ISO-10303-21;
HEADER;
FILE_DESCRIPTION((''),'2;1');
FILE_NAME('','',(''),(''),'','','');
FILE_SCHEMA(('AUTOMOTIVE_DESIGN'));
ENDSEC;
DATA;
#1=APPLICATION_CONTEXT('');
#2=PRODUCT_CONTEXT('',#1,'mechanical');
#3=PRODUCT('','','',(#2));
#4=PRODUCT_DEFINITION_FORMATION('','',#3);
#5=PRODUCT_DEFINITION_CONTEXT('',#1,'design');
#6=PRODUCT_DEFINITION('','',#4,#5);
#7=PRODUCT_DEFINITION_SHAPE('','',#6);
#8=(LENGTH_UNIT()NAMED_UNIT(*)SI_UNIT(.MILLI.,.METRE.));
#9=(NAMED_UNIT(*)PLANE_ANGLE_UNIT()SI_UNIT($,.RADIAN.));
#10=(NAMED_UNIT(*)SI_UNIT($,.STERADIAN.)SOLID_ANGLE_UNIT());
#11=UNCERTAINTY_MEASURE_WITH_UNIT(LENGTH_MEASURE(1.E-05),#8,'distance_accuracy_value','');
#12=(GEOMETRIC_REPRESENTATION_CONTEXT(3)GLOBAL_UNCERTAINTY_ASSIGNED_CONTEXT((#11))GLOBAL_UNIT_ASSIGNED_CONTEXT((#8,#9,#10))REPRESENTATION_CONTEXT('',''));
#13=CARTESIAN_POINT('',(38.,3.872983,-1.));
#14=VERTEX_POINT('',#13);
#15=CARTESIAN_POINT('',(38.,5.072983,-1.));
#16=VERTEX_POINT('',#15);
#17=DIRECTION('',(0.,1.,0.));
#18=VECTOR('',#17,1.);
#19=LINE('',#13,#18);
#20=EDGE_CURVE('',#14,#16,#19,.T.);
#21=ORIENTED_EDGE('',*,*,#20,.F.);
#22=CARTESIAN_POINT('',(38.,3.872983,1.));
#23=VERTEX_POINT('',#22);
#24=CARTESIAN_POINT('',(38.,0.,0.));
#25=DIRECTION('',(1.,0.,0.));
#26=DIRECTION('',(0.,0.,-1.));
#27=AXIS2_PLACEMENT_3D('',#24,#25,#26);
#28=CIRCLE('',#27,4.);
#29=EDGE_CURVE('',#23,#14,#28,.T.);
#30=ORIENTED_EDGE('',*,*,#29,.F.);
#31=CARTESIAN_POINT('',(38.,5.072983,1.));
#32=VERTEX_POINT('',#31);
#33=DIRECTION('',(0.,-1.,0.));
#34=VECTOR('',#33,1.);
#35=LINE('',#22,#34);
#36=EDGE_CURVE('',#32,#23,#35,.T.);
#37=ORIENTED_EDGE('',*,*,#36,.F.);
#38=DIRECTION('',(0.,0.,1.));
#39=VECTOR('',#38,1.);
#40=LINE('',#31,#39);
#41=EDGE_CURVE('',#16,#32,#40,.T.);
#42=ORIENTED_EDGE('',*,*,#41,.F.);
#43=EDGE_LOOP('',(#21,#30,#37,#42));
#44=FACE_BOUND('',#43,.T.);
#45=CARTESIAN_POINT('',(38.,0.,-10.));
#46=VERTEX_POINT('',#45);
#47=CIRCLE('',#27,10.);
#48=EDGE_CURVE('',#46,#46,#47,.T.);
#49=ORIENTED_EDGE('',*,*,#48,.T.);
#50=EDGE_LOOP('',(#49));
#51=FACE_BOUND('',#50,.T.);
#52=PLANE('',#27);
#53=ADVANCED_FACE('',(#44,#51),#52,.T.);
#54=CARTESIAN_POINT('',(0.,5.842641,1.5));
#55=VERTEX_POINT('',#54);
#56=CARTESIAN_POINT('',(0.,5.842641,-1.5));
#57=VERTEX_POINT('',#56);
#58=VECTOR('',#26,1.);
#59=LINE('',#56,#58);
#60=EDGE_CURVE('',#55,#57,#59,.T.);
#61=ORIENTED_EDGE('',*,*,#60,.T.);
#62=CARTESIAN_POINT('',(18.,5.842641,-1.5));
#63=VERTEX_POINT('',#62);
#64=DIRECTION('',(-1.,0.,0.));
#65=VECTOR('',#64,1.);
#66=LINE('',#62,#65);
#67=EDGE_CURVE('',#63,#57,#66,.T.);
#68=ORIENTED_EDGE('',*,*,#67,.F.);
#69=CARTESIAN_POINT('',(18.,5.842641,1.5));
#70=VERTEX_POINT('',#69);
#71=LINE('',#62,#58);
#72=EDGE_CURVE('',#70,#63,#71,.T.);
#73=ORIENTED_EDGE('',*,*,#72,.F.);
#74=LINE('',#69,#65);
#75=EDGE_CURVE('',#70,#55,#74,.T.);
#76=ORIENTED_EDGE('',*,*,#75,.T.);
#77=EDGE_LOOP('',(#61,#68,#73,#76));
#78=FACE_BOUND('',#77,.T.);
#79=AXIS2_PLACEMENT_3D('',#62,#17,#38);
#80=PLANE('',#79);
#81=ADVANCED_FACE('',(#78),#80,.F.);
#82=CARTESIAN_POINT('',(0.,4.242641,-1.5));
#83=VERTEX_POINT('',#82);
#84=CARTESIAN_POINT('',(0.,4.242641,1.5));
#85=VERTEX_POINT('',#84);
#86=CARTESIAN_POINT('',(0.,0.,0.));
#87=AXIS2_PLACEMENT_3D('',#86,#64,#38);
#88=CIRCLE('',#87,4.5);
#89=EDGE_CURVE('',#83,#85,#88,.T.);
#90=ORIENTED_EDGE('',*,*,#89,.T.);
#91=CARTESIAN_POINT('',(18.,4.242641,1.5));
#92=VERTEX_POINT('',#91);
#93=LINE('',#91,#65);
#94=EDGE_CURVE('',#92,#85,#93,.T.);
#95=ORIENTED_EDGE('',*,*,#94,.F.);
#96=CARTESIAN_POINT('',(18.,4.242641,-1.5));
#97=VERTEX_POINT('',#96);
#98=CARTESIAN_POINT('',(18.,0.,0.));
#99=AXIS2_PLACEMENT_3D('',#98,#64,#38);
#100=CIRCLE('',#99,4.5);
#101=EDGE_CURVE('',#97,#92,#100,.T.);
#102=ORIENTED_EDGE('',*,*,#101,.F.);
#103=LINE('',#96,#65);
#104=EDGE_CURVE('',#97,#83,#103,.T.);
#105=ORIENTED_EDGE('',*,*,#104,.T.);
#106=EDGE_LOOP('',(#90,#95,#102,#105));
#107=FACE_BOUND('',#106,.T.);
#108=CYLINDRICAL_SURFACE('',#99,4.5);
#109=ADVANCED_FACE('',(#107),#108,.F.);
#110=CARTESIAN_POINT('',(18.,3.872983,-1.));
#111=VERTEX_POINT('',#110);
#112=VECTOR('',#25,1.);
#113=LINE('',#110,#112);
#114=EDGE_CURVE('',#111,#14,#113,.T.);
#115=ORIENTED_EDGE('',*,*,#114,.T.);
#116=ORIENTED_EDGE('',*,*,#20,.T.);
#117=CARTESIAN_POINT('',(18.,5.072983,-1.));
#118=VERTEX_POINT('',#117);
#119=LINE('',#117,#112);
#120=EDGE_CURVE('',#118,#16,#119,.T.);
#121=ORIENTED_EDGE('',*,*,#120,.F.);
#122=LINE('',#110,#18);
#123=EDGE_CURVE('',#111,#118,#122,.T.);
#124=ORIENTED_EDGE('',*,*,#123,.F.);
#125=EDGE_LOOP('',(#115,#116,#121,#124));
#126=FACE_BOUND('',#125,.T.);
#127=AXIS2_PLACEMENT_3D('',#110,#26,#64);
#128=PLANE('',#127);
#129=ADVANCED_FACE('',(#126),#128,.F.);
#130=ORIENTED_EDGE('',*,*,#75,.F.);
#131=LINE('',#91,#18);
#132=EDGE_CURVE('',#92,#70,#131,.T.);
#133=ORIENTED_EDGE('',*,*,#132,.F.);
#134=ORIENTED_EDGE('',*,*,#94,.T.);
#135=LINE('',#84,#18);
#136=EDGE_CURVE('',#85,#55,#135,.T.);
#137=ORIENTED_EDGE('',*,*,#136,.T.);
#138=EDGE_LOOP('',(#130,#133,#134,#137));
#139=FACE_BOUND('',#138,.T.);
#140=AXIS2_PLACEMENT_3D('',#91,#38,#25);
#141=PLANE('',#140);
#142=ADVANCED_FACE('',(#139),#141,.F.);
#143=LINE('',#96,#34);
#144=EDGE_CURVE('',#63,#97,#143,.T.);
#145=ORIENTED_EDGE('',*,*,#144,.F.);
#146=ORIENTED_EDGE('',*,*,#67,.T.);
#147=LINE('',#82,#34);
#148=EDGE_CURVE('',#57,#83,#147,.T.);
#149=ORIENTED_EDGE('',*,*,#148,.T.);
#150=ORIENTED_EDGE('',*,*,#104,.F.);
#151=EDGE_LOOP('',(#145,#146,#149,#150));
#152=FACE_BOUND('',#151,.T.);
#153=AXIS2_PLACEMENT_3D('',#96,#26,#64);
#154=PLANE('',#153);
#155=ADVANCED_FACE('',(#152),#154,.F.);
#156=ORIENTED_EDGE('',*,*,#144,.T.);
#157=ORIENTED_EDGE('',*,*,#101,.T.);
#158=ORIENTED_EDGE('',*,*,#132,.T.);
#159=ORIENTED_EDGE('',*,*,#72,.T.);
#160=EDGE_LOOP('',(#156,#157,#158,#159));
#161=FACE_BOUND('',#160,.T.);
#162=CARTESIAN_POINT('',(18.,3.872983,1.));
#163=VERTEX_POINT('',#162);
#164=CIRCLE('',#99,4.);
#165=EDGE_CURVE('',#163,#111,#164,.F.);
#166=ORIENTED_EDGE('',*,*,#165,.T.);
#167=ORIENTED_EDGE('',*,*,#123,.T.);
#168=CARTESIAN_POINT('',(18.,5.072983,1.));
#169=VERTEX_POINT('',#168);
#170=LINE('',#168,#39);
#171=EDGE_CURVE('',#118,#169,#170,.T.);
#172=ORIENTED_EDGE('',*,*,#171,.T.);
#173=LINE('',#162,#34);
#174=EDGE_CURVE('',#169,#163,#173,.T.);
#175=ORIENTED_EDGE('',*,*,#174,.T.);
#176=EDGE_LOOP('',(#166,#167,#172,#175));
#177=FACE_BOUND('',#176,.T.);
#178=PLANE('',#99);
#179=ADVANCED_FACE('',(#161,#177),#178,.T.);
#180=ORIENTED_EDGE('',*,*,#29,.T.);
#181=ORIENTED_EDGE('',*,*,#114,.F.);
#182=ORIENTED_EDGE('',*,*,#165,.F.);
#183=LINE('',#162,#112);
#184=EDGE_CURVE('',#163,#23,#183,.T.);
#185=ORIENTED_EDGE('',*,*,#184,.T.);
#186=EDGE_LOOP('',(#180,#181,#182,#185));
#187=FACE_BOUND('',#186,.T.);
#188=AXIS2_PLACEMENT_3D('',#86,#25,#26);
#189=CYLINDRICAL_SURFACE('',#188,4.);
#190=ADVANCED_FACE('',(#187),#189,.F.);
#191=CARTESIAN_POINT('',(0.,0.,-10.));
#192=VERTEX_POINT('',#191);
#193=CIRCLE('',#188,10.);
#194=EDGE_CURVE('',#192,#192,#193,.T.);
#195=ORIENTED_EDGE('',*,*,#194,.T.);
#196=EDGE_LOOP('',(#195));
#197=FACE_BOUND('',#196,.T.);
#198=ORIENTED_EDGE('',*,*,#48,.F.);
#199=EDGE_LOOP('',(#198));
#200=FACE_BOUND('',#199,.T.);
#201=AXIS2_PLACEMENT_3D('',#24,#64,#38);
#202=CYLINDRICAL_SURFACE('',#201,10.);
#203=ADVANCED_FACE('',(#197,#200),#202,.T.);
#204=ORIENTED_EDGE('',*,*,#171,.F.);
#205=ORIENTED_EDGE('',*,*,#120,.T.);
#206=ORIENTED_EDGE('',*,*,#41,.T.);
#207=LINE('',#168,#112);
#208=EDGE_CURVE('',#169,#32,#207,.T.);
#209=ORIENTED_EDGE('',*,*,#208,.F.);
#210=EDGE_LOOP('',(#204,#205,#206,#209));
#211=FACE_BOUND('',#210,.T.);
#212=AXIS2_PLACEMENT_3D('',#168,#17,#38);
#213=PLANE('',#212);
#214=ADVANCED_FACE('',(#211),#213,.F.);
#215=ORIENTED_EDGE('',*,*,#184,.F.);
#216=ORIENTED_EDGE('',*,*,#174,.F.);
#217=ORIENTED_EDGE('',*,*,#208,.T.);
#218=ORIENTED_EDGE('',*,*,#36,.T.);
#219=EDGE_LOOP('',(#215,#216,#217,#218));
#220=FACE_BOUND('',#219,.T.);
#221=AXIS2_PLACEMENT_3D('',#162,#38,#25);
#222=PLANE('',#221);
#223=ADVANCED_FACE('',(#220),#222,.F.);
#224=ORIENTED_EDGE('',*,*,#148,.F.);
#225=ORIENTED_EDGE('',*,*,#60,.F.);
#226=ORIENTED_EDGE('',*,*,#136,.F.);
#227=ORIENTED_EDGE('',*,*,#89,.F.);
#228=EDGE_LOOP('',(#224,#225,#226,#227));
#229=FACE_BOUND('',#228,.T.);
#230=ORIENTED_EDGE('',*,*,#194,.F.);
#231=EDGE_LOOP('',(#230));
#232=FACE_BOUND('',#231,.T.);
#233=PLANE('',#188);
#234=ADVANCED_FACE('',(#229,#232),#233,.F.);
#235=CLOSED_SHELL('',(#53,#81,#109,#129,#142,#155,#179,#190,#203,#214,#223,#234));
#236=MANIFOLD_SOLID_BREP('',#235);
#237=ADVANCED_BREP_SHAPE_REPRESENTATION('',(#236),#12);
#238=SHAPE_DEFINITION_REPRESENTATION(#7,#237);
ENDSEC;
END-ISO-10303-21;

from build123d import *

# Parameters (mm, degrees)
SKETCH1_R           = 10
BOSS_EXTRUDE2_DEPTH = 38
SKETCH9_R           = 4
CUT_EXTRUDE5_DEPTH  = 38
SKETCH10_R          = 4.5
CUT_EXTRUDE6_DEPTH  = 18
SKETCH11_W          = 3
SKETCH11_H          = 1.6
CUT_EXTRUDE7_DEPTH  = 18
SKETCH12_W          = 2
SKETCH12_H          = 1.2
CUT_EXTRUDE8_DEPTH  = 20


with BuildPart() as part:
    # Sketch1 → Boss-Extrude2 (new body)
    with BuildSketch(Plane(origin=(0, 0, 0), x_dir=(0, 0, -1), z_dir=(1, 0, 0))):
        Circle(SKETCH1_R)
    extrude(amount=BOSS_EXTRUDE2_DEPTH)

    # Sketch9 → Cut-Extrude5 (cut)
    with BuildSketch(Plane(origin=(38, 0, 0), x_dir=(0, 0, -1), z_dir=(1, 0, 0))):
        Circle(SKETCH9_R)
    extrude(amount=-CUT_EXTRUDE5_DEPTH, mode=Mode.SUBTRACT)

    # Sketch10 → Cut-Extrude6 (cut)
    with BuildSketch(Plane.ZY):
        Circle(SKETCH10_R)
    extrude(amount=-CUT_EXTRUDE6_DEPTH, mode=Mode.SUBTRACT)

    # Sketch11 → Cut-Extrude7 (cut)
    with BuildSketch(Plane.ZY):
        with Locations((0, 5.042640687)):
            Rectangle(SKETCH11_W, SKETCH11_H)
    extrude(amount=-CUT_EXTRUDE7_DEPTH, mode=Mode.SUBTRACT)

    # Sketch12 → Cut-Extrude8 (cut)
    with BuildSketch(Plane(origin=(38, 0, 0), x_dir=(0, 0, -1), z_dir=(1, 0, 0))):
        with Locations((0, 4.472983346)):
            Rectangle(SKETCH12_W, SKETCH12_H)
    extrude(amount=-CUT_EXTRUDE8_DEPTH, mode=Mode.SUBTRACT)


solid = part.part
